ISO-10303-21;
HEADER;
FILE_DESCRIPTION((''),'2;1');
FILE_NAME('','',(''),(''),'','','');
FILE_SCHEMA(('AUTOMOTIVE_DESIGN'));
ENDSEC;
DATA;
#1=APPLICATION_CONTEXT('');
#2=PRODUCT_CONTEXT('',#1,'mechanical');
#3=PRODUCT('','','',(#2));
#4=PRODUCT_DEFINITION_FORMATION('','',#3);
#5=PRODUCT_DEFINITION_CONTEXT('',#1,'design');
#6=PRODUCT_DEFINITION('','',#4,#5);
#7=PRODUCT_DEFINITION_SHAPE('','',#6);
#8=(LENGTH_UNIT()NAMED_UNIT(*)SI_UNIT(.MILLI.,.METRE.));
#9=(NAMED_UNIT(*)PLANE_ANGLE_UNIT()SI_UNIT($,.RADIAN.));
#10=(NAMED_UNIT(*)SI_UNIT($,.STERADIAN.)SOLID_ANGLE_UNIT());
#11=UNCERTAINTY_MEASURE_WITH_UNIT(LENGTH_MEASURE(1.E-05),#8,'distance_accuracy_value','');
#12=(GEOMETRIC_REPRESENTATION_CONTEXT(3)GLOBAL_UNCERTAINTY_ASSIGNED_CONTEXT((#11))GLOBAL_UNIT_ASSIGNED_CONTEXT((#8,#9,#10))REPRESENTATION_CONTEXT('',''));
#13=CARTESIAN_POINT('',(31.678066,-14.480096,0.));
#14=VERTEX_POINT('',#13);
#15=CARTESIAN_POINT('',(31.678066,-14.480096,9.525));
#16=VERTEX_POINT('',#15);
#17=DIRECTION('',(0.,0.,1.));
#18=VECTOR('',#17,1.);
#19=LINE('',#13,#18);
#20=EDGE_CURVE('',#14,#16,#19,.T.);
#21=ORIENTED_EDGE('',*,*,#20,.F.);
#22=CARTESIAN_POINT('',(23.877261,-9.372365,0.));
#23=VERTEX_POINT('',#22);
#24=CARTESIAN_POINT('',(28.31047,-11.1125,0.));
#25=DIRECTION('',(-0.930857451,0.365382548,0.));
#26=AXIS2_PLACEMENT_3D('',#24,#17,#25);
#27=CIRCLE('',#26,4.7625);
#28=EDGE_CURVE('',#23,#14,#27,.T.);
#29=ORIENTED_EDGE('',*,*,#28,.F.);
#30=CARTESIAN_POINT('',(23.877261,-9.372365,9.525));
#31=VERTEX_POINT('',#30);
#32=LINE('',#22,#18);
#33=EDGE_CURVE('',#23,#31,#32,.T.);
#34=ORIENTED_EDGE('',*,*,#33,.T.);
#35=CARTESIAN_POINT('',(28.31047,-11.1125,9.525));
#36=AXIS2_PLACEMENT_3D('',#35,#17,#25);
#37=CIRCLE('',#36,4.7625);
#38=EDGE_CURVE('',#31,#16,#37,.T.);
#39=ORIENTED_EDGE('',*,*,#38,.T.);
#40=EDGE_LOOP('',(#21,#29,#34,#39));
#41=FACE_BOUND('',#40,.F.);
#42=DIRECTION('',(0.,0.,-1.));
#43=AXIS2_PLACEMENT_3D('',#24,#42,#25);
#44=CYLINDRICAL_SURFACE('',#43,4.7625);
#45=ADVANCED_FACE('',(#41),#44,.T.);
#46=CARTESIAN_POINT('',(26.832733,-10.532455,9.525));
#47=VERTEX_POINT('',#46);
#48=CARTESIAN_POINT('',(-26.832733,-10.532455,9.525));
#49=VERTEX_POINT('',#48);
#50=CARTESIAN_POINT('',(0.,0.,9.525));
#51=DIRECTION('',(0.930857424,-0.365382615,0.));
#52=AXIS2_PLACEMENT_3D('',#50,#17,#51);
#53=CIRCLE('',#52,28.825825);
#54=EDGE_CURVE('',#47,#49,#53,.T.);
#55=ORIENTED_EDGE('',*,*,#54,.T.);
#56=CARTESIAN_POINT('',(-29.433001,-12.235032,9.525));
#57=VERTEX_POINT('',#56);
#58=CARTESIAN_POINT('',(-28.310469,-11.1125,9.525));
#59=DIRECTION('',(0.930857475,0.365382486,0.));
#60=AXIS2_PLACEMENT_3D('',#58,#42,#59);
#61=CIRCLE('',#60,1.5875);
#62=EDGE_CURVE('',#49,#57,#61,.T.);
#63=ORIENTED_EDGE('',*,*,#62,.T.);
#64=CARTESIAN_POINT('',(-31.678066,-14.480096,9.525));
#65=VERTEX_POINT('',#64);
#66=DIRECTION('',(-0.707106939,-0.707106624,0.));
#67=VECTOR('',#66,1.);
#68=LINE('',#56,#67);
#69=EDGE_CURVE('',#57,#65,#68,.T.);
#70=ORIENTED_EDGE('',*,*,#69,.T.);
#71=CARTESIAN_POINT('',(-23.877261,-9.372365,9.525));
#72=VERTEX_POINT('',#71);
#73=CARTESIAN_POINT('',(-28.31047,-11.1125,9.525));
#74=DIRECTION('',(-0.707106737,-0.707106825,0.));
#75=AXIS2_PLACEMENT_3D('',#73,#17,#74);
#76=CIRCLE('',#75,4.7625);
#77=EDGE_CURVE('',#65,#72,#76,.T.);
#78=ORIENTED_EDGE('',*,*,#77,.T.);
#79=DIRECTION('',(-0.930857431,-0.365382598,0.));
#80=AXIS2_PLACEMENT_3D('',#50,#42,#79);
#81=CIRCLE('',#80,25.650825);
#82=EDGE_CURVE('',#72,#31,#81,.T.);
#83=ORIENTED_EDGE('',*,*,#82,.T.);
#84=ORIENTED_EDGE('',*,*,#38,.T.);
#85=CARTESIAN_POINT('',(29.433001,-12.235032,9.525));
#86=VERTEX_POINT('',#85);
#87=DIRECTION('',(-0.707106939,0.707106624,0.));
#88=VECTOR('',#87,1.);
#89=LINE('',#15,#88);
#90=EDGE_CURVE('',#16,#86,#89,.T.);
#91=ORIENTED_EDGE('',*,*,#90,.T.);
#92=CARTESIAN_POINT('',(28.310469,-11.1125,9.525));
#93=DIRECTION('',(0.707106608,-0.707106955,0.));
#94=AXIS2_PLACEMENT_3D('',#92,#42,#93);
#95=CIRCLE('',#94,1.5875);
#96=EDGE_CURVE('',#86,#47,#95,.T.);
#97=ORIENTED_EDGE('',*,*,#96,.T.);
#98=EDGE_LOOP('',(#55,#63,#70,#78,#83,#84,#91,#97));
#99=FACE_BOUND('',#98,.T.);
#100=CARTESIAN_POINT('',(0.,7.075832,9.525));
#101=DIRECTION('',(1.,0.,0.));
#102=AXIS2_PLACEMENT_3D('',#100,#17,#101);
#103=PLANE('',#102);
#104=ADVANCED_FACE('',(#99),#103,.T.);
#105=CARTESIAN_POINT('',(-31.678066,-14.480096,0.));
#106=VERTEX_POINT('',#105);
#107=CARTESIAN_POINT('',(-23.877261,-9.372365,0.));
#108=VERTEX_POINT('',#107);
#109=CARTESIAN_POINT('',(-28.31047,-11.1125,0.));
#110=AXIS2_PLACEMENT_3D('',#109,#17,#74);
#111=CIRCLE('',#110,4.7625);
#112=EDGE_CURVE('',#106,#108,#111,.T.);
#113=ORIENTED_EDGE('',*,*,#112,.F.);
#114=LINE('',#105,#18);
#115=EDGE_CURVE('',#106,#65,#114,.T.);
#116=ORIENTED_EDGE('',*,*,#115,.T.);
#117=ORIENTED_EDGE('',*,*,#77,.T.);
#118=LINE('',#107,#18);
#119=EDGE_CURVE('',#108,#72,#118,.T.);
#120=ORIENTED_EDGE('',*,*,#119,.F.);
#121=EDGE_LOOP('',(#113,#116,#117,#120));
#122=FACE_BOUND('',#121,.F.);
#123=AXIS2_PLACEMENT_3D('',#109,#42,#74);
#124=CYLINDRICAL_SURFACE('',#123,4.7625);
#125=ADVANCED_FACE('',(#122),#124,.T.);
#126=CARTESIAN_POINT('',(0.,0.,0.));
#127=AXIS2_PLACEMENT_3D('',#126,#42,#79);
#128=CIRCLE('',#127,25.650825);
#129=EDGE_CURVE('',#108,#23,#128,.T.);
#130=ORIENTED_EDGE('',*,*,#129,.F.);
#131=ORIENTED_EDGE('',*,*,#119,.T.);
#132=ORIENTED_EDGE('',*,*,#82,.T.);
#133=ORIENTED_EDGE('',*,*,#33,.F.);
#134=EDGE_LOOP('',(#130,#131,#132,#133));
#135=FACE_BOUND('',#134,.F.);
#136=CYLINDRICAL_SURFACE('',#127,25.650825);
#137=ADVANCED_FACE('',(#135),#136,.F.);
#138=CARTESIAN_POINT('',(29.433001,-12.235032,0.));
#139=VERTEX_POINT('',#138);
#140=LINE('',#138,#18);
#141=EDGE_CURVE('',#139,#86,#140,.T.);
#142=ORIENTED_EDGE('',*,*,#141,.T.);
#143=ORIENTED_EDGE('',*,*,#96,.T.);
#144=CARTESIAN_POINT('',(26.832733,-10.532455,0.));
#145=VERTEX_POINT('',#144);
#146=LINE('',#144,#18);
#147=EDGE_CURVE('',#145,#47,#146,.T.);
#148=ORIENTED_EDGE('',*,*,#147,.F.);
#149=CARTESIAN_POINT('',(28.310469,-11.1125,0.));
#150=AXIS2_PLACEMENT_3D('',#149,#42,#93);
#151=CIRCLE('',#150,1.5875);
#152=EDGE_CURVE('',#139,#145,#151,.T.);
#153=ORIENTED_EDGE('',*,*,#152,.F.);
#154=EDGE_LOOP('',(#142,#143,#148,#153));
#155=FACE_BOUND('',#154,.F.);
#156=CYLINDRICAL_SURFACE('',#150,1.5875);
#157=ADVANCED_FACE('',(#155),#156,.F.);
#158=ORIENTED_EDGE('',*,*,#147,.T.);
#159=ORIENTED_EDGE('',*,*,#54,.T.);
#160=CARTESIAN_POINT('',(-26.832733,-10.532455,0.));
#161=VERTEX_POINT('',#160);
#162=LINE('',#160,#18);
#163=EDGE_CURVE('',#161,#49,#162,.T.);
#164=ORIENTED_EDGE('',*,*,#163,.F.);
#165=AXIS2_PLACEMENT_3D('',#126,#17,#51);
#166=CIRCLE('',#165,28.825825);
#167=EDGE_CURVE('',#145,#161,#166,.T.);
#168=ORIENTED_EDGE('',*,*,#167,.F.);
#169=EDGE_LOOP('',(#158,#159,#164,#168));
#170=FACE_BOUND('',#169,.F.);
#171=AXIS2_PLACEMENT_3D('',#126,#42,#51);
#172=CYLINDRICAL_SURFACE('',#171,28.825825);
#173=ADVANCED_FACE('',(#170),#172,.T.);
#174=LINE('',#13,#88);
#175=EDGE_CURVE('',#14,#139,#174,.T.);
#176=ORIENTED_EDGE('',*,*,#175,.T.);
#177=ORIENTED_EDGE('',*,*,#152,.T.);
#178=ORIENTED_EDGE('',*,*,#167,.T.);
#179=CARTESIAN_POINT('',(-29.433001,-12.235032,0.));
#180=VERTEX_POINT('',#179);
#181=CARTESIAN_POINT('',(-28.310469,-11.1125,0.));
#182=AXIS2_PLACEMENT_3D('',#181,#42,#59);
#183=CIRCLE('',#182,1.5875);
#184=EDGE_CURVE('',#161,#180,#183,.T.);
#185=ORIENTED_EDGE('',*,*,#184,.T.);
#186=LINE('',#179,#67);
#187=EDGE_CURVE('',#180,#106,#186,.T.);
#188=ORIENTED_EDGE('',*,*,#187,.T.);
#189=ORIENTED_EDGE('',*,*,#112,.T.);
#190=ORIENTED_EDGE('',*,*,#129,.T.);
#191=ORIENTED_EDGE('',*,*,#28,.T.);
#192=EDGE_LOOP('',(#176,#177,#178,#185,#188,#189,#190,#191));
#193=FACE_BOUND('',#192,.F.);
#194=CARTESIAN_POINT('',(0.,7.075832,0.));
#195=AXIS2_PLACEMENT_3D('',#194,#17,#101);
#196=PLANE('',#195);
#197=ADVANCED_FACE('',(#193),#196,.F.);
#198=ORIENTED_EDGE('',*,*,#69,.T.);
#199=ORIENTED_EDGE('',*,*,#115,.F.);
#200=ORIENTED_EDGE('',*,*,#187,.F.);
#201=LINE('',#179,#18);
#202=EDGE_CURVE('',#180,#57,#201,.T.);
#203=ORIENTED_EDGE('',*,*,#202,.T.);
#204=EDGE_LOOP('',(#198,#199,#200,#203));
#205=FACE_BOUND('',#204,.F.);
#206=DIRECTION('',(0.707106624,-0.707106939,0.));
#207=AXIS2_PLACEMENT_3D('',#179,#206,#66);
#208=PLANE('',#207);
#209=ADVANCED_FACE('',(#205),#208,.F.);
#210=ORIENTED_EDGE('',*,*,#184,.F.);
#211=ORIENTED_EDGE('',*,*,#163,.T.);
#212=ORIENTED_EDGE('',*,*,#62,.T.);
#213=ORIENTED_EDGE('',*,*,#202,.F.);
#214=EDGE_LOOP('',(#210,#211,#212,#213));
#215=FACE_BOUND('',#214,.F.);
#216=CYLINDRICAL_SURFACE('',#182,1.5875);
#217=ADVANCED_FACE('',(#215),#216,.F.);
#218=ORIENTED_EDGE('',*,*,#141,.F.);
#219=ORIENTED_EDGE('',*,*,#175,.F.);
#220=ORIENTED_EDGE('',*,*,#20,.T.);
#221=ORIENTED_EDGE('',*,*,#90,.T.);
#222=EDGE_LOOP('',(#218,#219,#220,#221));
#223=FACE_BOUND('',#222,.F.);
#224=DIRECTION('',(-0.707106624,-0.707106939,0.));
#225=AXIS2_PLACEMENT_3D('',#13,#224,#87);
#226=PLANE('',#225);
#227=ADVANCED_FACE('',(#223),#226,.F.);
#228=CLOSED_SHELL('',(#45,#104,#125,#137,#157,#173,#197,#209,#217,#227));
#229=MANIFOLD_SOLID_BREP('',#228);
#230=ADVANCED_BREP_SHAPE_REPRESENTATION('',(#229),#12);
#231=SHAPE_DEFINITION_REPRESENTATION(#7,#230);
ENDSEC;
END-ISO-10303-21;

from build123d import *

# Parameters (mm, degrees)
F1_DEPTH = 9.525


with BuildPart() as f1:
    # F0 (on Top) → F1 (new body)
    with BuildSketch(Plane.XY):
        with BuildLine():
            ThreePointArc((-23.877261, -9.372365), (0, 25.650825), (23.877261, -9.372365))
            ThreePointArc((23.877261, -9.372365), (25.701617, -15.096881), (31.678066, -14.480096))
            Line((31.678066, -14.480096), (29.433001, -12.235032))
            ThreePointArc((29.433001, -12.235032), (27.440852, -12.440627), (26.832733, -10.532455))
            ThreePointArc((26.832733, -10.532455), (0, 28.825825), (-26.832733, -10.532455))
            ThreePointArc((-26.832733, -10.532455), (-27.440852, -12.440627), (-29.433001, -12.235032))
            Line((-29.433001, -12.235032), (-31.678066, -14.480096))
            ThreePointArc((-31.678066, -14.480096), (-25.701617, -15.096881), (-23.877261, -9.372365))
        make_face()
    extrude(amount=F1_DEPTH)


solid = f1.part
